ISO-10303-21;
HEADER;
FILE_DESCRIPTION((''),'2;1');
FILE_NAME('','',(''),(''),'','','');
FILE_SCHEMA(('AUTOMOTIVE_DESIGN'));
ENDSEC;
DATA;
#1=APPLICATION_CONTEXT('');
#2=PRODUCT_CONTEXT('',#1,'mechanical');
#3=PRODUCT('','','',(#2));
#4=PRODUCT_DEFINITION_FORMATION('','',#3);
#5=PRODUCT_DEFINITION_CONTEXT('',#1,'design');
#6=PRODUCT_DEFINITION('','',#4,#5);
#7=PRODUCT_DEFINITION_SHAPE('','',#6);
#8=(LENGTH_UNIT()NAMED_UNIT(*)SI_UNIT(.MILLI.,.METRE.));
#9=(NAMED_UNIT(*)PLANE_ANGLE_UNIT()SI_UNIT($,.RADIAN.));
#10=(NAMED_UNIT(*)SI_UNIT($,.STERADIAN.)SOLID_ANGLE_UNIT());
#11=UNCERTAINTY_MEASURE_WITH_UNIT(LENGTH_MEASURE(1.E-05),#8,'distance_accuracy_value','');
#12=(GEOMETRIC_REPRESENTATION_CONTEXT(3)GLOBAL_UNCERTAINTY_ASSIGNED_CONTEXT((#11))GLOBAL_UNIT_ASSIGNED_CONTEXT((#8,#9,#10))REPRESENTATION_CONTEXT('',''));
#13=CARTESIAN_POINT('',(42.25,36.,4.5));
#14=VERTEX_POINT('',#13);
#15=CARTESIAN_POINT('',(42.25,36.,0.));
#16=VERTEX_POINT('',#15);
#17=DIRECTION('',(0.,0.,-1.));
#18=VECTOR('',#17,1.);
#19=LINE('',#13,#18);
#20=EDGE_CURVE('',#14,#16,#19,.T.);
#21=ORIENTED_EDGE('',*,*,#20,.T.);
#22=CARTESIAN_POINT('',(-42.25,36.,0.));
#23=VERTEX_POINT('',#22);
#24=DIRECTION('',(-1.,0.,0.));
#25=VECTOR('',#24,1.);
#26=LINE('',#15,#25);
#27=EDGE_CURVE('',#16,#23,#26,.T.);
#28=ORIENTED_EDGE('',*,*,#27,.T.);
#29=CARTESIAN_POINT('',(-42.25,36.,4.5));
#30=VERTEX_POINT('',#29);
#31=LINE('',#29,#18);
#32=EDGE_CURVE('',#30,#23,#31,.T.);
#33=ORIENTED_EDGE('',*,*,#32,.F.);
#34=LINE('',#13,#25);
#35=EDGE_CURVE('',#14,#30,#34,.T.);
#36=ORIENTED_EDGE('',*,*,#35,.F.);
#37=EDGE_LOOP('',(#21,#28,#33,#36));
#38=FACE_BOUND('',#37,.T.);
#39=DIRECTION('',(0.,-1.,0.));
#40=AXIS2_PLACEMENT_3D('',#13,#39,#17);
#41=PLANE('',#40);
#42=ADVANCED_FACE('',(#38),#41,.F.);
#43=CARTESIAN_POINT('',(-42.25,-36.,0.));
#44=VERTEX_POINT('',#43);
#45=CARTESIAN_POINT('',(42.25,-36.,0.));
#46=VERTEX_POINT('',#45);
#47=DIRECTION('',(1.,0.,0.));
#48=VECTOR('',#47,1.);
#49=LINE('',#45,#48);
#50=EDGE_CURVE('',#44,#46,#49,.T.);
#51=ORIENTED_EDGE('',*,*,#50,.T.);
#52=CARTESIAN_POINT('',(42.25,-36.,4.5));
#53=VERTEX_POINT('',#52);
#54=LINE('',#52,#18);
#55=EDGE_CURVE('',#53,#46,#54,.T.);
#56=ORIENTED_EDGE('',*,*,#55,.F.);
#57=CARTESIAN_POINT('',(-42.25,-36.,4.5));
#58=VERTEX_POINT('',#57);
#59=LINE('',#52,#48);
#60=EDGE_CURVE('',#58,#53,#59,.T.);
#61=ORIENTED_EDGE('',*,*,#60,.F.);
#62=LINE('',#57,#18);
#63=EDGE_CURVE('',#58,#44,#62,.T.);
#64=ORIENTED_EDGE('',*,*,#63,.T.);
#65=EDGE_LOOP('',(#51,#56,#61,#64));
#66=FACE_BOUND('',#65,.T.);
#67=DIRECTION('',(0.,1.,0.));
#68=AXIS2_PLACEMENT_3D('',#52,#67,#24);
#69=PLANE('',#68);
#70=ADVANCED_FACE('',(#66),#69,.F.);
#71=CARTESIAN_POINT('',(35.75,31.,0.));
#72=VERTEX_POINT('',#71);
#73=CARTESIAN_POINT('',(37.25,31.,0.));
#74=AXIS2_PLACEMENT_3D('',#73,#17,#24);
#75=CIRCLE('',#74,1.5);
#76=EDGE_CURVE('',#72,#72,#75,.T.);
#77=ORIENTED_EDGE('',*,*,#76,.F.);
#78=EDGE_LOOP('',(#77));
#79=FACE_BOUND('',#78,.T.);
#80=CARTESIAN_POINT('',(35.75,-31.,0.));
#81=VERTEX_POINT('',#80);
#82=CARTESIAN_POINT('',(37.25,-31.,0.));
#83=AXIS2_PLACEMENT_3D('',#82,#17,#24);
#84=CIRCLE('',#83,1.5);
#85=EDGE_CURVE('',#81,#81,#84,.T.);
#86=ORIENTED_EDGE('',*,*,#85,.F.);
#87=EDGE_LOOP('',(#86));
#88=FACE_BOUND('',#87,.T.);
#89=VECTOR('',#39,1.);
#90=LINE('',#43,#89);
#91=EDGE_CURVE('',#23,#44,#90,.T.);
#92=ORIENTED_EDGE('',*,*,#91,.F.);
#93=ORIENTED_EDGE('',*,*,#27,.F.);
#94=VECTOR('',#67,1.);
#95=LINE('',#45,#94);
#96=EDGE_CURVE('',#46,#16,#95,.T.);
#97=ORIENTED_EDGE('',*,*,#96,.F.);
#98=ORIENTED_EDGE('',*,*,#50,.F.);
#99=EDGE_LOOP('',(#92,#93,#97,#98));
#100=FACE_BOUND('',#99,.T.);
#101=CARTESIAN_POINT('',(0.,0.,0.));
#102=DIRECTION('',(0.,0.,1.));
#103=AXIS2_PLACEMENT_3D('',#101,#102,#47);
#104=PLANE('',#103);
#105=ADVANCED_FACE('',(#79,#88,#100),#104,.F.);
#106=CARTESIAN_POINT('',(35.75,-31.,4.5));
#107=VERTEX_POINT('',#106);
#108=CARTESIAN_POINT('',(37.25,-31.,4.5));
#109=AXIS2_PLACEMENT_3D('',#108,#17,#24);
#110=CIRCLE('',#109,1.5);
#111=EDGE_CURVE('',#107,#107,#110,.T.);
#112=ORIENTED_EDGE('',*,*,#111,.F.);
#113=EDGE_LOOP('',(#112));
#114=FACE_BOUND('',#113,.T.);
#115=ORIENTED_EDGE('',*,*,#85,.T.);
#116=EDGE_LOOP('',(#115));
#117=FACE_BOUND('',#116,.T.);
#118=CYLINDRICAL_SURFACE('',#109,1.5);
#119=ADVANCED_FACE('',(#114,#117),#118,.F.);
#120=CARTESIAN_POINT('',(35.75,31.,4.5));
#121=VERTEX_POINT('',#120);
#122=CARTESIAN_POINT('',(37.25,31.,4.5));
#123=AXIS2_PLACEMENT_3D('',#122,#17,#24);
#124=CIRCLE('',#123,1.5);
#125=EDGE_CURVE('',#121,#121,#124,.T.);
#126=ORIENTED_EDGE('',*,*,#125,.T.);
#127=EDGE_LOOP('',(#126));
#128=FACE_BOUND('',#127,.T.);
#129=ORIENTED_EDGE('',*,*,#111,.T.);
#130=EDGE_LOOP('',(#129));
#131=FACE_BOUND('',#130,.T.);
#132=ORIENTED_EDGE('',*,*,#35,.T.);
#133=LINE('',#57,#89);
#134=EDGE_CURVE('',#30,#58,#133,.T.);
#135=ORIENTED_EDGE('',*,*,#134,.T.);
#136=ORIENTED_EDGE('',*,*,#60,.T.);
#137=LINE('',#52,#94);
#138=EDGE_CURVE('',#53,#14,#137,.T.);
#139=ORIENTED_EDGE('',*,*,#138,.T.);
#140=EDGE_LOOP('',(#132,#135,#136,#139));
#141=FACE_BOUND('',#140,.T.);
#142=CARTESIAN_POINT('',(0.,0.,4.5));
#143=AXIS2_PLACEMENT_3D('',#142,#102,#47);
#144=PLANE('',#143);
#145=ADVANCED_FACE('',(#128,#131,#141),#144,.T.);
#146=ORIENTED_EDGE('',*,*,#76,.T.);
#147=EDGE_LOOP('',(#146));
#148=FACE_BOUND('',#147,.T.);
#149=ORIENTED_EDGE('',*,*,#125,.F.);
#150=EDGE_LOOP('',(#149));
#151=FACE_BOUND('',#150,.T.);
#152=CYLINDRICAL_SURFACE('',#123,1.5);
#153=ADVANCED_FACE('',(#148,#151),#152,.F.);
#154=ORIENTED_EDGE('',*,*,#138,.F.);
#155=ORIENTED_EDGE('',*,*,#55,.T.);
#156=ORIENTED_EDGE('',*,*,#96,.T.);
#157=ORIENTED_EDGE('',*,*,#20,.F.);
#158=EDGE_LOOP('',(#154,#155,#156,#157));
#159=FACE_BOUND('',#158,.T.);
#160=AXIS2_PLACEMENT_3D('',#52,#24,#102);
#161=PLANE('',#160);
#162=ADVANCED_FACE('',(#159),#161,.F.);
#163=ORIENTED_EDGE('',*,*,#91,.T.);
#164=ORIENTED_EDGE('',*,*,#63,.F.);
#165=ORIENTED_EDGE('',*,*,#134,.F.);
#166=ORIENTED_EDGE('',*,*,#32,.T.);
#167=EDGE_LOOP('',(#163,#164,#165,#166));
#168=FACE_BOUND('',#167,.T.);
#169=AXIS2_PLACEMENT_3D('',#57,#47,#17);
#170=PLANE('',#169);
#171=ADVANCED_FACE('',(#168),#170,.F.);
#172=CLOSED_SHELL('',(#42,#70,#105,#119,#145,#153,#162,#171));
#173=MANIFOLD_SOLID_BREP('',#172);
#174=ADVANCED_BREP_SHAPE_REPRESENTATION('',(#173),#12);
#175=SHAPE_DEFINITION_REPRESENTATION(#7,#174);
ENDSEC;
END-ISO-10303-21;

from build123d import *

# Parameters (mm, degrees)
SKETCH1_W           = 84.5
SKETCH1_H           = 72
BOSS_EXTRUDE1_DEPTH = 4.5
SKETCH2_R           = 1.5
CUT_EXTRUDE1_DEPTH  = 56.689428979


with BuildPart() as part:
    # Sketch1 → Boss-Extrude1 (new body)
    with BuildSketch(Plane.XY):
        Rectangle(SKETCH1_W, SKETCH1_H)
    extrude(amount=BOSS_EXTRUDE1_DEPTH)

    # Sketch2 → Cut-Extrude1 (cut, through all)
    with BuildSketch(Plane(origin=(0, 0, 0), x_dir=(-1, 0, 0), z_dir=(0, 0, -1))):
        with Locations((-37.25, 31)):
            Circle(SKETCH2_R)
        with Locations((-37.25, -31)):
            Circle(SKETCH2_R)
    extrude(amount=-CUT_EXTRUDE1_DEPTH, mode=Mode.SUBTRACT)


solid = part.part
